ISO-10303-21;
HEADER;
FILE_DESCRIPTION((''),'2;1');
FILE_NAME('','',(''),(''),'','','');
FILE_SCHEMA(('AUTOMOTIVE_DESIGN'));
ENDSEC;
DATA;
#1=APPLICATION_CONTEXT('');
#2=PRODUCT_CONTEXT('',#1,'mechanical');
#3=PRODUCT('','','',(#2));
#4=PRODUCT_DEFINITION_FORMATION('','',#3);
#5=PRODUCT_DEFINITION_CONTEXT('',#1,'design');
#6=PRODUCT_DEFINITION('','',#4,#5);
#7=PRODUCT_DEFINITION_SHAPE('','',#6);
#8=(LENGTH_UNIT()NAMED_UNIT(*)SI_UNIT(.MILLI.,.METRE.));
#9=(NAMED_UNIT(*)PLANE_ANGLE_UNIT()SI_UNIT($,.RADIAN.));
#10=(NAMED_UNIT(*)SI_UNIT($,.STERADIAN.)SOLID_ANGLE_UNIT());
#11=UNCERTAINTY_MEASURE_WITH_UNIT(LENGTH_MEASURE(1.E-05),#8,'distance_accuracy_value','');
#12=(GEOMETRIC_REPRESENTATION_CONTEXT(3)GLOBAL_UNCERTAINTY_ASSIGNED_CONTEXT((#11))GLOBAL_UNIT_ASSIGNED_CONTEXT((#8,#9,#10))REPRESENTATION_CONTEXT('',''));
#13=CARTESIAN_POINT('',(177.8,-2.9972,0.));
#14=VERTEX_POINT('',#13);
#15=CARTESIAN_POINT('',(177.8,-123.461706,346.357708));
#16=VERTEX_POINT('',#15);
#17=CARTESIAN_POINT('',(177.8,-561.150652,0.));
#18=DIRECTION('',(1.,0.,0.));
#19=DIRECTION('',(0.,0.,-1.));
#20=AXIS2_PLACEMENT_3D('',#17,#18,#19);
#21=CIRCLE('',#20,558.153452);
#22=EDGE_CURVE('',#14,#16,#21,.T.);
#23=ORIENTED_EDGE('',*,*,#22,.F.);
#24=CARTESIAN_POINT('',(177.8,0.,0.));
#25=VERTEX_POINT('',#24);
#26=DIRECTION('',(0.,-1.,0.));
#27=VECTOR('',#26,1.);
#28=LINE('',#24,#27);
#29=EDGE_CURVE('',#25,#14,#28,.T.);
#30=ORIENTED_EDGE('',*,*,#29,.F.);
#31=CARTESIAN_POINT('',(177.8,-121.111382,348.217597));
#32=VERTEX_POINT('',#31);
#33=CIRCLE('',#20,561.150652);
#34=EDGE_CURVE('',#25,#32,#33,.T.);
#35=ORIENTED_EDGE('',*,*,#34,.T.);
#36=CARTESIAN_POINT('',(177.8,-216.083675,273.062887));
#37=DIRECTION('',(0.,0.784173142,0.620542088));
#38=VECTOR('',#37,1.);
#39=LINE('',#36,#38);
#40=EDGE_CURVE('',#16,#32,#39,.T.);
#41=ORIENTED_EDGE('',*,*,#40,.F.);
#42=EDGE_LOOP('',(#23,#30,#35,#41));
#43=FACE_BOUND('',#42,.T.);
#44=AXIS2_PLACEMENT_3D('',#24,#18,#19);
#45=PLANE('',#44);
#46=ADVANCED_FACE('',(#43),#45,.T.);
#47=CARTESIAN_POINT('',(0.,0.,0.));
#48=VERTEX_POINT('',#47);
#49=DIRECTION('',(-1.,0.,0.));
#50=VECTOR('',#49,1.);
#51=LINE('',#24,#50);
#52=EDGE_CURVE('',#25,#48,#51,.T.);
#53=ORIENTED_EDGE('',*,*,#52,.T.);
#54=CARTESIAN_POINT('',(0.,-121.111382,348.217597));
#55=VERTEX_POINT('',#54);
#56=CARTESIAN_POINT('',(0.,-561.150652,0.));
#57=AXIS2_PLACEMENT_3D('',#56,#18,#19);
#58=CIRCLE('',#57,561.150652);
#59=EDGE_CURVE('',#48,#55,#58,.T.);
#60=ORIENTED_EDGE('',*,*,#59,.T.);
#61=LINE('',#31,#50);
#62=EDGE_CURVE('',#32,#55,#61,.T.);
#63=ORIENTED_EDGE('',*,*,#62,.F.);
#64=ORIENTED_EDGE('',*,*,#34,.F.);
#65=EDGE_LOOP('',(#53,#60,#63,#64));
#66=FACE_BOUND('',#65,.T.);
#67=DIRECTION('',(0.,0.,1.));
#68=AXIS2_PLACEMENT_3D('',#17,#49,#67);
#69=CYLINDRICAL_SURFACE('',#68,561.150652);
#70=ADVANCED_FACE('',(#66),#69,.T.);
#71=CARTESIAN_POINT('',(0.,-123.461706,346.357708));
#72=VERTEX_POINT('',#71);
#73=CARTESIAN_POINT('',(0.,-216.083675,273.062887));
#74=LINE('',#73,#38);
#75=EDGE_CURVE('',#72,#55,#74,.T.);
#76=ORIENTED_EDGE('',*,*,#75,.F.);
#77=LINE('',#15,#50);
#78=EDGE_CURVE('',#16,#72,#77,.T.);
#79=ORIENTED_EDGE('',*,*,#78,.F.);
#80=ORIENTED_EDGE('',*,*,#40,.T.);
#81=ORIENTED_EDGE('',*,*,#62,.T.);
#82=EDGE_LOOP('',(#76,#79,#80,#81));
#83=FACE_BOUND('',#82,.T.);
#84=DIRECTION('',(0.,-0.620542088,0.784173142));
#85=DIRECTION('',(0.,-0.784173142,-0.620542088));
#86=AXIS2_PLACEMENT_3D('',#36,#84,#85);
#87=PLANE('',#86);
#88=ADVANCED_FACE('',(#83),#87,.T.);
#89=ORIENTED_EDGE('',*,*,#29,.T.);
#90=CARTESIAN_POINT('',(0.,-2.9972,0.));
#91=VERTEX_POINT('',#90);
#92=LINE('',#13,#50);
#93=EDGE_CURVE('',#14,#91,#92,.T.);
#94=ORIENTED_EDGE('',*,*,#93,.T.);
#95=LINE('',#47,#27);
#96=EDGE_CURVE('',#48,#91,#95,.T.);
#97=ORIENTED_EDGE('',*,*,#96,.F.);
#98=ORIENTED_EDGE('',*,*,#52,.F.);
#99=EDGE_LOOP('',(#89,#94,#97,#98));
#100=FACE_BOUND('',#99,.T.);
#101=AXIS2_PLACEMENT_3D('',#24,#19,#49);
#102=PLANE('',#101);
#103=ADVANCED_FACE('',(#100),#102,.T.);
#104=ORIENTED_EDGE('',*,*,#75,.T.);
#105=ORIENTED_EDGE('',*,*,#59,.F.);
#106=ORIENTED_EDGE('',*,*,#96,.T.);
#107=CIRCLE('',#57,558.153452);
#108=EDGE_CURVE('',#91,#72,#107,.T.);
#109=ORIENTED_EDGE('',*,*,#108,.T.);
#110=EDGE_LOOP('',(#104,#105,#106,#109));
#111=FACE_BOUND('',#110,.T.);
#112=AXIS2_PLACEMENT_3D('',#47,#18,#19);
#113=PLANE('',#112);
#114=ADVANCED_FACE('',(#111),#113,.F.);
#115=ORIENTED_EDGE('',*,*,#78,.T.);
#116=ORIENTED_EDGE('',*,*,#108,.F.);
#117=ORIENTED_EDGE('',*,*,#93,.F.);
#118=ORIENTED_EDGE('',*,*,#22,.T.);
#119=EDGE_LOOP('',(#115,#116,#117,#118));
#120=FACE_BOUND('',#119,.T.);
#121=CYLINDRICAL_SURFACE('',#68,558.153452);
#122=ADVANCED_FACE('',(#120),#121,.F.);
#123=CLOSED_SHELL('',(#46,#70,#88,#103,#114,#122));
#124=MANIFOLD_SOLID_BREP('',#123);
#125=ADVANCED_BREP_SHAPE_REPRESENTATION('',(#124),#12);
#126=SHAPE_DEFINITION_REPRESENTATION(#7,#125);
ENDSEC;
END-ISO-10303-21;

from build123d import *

# Parameters (mm, degrees)
BOSS_EXTRUDE1_DEPTH = 177.8


with BuildPart() as part:
    # Sketch1 → Boss-Extrude1 (new body)
    with BuildSketch(Plane(origin=(0, 0, 0), x_dir=(0, 0, -1), z_dir=(1, 0, 0))):
        with BuildLine():
            Line((-347.287652839, -122.286543799), (-346.357708466, -123.46170567))
            ThreePointArc((-346.357708466, -123.46170567), (-183.35441046, -33.972848847), (0, -2.9972))
            Line((0, -2.9972), (0, -1.4986))
            ThreePointArc((0, -1.4986), (-183.846703249, -32.557416132), (-347.287652839, -122.286543799))
        make_face()
        with BuildLine():
            Line((-348.217597212, -121.111381928), (-347.287652839, -122.286543799))
            ThreePointArc((-347.287652839, -122.286543799), (-183.846703249, -32.557416132), (0, -1.4986))
            Line((0, -1.4986), (0, 0))
            ThreePointArc((0, 0), (-184.338996038, -31.141983417), (-348.217597212, -121.111381928))
        make_face()
    extrude(amount=BOSS_EXTRUDE1_DEPTH)


solid = part.part
